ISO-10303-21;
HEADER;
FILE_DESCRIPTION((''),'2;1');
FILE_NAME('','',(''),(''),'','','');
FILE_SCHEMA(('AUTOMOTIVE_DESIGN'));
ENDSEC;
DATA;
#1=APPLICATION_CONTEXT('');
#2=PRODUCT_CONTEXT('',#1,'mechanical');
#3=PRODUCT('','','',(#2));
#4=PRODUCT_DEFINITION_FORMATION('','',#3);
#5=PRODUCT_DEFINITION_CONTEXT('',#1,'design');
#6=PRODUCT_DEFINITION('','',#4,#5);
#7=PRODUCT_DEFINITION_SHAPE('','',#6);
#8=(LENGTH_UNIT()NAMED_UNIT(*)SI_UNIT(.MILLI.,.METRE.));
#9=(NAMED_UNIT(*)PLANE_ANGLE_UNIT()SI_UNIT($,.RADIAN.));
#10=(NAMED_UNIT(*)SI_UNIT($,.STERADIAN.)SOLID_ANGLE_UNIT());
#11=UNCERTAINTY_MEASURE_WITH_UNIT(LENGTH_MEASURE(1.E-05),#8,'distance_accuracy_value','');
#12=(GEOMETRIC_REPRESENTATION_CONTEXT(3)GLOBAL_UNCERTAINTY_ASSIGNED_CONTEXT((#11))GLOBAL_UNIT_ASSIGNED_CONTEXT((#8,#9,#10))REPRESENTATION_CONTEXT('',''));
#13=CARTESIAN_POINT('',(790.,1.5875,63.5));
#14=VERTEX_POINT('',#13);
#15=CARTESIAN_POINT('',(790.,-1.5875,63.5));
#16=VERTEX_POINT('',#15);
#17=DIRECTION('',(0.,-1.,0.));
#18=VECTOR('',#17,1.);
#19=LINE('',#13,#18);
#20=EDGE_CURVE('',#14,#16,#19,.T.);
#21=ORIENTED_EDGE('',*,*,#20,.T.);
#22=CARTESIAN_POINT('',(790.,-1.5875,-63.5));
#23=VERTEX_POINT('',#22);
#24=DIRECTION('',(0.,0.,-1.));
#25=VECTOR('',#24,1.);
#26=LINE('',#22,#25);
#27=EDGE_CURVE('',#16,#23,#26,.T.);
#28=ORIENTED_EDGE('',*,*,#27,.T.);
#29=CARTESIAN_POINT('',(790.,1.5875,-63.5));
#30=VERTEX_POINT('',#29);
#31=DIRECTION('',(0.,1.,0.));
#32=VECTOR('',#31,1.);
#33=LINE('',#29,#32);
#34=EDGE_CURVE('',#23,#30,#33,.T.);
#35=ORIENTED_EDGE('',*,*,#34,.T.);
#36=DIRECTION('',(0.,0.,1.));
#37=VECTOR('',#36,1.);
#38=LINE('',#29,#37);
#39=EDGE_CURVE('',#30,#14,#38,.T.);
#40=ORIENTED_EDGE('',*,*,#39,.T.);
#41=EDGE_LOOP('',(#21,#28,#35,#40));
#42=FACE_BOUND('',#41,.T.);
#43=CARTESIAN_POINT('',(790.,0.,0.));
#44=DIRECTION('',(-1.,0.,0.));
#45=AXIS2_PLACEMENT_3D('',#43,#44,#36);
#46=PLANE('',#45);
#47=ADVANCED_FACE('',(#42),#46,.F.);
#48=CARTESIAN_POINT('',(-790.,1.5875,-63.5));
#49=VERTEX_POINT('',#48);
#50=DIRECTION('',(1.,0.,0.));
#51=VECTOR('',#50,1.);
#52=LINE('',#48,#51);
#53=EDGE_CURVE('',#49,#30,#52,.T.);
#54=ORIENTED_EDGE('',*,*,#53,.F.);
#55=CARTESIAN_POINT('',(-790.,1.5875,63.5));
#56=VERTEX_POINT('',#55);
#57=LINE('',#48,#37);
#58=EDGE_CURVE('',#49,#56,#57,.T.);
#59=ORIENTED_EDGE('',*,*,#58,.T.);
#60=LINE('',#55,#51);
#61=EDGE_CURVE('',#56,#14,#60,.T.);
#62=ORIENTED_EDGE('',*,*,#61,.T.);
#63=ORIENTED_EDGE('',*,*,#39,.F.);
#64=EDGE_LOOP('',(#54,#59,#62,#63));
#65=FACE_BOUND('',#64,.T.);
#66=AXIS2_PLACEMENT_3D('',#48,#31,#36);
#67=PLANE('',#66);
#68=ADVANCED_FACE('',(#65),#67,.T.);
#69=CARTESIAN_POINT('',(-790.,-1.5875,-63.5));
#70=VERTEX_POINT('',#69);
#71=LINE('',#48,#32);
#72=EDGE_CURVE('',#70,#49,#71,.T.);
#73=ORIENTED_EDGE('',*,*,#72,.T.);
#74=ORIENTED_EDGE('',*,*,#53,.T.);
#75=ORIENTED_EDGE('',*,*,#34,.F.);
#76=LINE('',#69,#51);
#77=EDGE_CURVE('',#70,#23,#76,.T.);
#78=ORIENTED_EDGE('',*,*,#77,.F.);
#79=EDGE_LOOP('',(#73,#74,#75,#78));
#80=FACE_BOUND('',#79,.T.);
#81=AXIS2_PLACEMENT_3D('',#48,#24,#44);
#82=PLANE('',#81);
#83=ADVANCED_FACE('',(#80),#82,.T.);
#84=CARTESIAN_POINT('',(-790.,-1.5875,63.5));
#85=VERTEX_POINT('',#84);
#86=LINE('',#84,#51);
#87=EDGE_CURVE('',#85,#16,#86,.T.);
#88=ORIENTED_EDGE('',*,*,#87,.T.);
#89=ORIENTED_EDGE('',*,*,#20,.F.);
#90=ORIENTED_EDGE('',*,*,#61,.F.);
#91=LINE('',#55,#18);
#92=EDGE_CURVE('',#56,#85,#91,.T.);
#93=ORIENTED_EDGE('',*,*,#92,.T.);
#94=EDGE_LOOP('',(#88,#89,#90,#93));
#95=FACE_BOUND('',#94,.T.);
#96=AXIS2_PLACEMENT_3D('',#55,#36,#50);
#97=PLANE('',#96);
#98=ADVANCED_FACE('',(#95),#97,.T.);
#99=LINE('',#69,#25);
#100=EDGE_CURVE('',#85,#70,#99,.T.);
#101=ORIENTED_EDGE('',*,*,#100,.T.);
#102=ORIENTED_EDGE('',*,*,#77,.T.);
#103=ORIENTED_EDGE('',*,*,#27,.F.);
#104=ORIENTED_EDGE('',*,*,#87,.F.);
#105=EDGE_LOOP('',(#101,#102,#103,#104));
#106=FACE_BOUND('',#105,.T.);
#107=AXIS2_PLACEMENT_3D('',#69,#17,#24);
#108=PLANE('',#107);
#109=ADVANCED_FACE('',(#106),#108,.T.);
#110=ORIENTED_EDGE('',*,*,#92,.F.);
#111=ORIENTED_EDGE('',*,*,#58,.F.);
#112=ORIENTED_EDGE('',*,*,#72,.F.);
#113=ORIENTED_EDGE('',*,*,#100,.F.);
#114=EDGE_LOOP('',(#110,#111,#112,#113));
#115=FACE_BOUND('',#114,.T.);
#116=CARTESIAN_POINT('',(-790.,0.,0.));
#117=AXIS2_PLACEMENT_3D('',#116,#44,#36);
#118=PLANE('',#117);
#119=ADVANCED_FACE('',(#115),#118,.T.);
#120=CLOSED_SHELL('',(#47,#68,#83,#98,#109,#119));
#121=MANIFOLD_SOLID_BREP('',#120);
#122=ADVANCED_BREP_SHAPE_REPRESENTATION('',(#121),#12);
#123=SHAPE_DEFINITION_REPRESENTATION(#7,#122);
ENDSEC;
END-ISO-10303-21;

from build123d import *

# Parameters (mm, degrees)
BOSS_EXTRUDE1_DEPTH      = 790
BOSS_EXTRUDE1_DEPTH_BACK = 790
SKETCH3_W                = 127
SKETCH3_H                = 3.175


with BuildPart() as part:
    # Sketch3 → Boss-Extrude1 (new, two sides: drawn at the far end of the back side and taken through both)
    with BuildSketch(Plane(origin=(0, 0, 0), x_dir=(0, 0, -1), z_dir=(1, 0, 0)).offset(-BOSS_EXTRUDE1_DEPTH_BACK)):
        Rectangle(SKETCH3_W, SKETCH3_H)
    extrude(amount=BOSS_EXTRUDE1_DEPTH + BOSS_EXTRUDE1_DEPTH_BACK)


solid = part.part
